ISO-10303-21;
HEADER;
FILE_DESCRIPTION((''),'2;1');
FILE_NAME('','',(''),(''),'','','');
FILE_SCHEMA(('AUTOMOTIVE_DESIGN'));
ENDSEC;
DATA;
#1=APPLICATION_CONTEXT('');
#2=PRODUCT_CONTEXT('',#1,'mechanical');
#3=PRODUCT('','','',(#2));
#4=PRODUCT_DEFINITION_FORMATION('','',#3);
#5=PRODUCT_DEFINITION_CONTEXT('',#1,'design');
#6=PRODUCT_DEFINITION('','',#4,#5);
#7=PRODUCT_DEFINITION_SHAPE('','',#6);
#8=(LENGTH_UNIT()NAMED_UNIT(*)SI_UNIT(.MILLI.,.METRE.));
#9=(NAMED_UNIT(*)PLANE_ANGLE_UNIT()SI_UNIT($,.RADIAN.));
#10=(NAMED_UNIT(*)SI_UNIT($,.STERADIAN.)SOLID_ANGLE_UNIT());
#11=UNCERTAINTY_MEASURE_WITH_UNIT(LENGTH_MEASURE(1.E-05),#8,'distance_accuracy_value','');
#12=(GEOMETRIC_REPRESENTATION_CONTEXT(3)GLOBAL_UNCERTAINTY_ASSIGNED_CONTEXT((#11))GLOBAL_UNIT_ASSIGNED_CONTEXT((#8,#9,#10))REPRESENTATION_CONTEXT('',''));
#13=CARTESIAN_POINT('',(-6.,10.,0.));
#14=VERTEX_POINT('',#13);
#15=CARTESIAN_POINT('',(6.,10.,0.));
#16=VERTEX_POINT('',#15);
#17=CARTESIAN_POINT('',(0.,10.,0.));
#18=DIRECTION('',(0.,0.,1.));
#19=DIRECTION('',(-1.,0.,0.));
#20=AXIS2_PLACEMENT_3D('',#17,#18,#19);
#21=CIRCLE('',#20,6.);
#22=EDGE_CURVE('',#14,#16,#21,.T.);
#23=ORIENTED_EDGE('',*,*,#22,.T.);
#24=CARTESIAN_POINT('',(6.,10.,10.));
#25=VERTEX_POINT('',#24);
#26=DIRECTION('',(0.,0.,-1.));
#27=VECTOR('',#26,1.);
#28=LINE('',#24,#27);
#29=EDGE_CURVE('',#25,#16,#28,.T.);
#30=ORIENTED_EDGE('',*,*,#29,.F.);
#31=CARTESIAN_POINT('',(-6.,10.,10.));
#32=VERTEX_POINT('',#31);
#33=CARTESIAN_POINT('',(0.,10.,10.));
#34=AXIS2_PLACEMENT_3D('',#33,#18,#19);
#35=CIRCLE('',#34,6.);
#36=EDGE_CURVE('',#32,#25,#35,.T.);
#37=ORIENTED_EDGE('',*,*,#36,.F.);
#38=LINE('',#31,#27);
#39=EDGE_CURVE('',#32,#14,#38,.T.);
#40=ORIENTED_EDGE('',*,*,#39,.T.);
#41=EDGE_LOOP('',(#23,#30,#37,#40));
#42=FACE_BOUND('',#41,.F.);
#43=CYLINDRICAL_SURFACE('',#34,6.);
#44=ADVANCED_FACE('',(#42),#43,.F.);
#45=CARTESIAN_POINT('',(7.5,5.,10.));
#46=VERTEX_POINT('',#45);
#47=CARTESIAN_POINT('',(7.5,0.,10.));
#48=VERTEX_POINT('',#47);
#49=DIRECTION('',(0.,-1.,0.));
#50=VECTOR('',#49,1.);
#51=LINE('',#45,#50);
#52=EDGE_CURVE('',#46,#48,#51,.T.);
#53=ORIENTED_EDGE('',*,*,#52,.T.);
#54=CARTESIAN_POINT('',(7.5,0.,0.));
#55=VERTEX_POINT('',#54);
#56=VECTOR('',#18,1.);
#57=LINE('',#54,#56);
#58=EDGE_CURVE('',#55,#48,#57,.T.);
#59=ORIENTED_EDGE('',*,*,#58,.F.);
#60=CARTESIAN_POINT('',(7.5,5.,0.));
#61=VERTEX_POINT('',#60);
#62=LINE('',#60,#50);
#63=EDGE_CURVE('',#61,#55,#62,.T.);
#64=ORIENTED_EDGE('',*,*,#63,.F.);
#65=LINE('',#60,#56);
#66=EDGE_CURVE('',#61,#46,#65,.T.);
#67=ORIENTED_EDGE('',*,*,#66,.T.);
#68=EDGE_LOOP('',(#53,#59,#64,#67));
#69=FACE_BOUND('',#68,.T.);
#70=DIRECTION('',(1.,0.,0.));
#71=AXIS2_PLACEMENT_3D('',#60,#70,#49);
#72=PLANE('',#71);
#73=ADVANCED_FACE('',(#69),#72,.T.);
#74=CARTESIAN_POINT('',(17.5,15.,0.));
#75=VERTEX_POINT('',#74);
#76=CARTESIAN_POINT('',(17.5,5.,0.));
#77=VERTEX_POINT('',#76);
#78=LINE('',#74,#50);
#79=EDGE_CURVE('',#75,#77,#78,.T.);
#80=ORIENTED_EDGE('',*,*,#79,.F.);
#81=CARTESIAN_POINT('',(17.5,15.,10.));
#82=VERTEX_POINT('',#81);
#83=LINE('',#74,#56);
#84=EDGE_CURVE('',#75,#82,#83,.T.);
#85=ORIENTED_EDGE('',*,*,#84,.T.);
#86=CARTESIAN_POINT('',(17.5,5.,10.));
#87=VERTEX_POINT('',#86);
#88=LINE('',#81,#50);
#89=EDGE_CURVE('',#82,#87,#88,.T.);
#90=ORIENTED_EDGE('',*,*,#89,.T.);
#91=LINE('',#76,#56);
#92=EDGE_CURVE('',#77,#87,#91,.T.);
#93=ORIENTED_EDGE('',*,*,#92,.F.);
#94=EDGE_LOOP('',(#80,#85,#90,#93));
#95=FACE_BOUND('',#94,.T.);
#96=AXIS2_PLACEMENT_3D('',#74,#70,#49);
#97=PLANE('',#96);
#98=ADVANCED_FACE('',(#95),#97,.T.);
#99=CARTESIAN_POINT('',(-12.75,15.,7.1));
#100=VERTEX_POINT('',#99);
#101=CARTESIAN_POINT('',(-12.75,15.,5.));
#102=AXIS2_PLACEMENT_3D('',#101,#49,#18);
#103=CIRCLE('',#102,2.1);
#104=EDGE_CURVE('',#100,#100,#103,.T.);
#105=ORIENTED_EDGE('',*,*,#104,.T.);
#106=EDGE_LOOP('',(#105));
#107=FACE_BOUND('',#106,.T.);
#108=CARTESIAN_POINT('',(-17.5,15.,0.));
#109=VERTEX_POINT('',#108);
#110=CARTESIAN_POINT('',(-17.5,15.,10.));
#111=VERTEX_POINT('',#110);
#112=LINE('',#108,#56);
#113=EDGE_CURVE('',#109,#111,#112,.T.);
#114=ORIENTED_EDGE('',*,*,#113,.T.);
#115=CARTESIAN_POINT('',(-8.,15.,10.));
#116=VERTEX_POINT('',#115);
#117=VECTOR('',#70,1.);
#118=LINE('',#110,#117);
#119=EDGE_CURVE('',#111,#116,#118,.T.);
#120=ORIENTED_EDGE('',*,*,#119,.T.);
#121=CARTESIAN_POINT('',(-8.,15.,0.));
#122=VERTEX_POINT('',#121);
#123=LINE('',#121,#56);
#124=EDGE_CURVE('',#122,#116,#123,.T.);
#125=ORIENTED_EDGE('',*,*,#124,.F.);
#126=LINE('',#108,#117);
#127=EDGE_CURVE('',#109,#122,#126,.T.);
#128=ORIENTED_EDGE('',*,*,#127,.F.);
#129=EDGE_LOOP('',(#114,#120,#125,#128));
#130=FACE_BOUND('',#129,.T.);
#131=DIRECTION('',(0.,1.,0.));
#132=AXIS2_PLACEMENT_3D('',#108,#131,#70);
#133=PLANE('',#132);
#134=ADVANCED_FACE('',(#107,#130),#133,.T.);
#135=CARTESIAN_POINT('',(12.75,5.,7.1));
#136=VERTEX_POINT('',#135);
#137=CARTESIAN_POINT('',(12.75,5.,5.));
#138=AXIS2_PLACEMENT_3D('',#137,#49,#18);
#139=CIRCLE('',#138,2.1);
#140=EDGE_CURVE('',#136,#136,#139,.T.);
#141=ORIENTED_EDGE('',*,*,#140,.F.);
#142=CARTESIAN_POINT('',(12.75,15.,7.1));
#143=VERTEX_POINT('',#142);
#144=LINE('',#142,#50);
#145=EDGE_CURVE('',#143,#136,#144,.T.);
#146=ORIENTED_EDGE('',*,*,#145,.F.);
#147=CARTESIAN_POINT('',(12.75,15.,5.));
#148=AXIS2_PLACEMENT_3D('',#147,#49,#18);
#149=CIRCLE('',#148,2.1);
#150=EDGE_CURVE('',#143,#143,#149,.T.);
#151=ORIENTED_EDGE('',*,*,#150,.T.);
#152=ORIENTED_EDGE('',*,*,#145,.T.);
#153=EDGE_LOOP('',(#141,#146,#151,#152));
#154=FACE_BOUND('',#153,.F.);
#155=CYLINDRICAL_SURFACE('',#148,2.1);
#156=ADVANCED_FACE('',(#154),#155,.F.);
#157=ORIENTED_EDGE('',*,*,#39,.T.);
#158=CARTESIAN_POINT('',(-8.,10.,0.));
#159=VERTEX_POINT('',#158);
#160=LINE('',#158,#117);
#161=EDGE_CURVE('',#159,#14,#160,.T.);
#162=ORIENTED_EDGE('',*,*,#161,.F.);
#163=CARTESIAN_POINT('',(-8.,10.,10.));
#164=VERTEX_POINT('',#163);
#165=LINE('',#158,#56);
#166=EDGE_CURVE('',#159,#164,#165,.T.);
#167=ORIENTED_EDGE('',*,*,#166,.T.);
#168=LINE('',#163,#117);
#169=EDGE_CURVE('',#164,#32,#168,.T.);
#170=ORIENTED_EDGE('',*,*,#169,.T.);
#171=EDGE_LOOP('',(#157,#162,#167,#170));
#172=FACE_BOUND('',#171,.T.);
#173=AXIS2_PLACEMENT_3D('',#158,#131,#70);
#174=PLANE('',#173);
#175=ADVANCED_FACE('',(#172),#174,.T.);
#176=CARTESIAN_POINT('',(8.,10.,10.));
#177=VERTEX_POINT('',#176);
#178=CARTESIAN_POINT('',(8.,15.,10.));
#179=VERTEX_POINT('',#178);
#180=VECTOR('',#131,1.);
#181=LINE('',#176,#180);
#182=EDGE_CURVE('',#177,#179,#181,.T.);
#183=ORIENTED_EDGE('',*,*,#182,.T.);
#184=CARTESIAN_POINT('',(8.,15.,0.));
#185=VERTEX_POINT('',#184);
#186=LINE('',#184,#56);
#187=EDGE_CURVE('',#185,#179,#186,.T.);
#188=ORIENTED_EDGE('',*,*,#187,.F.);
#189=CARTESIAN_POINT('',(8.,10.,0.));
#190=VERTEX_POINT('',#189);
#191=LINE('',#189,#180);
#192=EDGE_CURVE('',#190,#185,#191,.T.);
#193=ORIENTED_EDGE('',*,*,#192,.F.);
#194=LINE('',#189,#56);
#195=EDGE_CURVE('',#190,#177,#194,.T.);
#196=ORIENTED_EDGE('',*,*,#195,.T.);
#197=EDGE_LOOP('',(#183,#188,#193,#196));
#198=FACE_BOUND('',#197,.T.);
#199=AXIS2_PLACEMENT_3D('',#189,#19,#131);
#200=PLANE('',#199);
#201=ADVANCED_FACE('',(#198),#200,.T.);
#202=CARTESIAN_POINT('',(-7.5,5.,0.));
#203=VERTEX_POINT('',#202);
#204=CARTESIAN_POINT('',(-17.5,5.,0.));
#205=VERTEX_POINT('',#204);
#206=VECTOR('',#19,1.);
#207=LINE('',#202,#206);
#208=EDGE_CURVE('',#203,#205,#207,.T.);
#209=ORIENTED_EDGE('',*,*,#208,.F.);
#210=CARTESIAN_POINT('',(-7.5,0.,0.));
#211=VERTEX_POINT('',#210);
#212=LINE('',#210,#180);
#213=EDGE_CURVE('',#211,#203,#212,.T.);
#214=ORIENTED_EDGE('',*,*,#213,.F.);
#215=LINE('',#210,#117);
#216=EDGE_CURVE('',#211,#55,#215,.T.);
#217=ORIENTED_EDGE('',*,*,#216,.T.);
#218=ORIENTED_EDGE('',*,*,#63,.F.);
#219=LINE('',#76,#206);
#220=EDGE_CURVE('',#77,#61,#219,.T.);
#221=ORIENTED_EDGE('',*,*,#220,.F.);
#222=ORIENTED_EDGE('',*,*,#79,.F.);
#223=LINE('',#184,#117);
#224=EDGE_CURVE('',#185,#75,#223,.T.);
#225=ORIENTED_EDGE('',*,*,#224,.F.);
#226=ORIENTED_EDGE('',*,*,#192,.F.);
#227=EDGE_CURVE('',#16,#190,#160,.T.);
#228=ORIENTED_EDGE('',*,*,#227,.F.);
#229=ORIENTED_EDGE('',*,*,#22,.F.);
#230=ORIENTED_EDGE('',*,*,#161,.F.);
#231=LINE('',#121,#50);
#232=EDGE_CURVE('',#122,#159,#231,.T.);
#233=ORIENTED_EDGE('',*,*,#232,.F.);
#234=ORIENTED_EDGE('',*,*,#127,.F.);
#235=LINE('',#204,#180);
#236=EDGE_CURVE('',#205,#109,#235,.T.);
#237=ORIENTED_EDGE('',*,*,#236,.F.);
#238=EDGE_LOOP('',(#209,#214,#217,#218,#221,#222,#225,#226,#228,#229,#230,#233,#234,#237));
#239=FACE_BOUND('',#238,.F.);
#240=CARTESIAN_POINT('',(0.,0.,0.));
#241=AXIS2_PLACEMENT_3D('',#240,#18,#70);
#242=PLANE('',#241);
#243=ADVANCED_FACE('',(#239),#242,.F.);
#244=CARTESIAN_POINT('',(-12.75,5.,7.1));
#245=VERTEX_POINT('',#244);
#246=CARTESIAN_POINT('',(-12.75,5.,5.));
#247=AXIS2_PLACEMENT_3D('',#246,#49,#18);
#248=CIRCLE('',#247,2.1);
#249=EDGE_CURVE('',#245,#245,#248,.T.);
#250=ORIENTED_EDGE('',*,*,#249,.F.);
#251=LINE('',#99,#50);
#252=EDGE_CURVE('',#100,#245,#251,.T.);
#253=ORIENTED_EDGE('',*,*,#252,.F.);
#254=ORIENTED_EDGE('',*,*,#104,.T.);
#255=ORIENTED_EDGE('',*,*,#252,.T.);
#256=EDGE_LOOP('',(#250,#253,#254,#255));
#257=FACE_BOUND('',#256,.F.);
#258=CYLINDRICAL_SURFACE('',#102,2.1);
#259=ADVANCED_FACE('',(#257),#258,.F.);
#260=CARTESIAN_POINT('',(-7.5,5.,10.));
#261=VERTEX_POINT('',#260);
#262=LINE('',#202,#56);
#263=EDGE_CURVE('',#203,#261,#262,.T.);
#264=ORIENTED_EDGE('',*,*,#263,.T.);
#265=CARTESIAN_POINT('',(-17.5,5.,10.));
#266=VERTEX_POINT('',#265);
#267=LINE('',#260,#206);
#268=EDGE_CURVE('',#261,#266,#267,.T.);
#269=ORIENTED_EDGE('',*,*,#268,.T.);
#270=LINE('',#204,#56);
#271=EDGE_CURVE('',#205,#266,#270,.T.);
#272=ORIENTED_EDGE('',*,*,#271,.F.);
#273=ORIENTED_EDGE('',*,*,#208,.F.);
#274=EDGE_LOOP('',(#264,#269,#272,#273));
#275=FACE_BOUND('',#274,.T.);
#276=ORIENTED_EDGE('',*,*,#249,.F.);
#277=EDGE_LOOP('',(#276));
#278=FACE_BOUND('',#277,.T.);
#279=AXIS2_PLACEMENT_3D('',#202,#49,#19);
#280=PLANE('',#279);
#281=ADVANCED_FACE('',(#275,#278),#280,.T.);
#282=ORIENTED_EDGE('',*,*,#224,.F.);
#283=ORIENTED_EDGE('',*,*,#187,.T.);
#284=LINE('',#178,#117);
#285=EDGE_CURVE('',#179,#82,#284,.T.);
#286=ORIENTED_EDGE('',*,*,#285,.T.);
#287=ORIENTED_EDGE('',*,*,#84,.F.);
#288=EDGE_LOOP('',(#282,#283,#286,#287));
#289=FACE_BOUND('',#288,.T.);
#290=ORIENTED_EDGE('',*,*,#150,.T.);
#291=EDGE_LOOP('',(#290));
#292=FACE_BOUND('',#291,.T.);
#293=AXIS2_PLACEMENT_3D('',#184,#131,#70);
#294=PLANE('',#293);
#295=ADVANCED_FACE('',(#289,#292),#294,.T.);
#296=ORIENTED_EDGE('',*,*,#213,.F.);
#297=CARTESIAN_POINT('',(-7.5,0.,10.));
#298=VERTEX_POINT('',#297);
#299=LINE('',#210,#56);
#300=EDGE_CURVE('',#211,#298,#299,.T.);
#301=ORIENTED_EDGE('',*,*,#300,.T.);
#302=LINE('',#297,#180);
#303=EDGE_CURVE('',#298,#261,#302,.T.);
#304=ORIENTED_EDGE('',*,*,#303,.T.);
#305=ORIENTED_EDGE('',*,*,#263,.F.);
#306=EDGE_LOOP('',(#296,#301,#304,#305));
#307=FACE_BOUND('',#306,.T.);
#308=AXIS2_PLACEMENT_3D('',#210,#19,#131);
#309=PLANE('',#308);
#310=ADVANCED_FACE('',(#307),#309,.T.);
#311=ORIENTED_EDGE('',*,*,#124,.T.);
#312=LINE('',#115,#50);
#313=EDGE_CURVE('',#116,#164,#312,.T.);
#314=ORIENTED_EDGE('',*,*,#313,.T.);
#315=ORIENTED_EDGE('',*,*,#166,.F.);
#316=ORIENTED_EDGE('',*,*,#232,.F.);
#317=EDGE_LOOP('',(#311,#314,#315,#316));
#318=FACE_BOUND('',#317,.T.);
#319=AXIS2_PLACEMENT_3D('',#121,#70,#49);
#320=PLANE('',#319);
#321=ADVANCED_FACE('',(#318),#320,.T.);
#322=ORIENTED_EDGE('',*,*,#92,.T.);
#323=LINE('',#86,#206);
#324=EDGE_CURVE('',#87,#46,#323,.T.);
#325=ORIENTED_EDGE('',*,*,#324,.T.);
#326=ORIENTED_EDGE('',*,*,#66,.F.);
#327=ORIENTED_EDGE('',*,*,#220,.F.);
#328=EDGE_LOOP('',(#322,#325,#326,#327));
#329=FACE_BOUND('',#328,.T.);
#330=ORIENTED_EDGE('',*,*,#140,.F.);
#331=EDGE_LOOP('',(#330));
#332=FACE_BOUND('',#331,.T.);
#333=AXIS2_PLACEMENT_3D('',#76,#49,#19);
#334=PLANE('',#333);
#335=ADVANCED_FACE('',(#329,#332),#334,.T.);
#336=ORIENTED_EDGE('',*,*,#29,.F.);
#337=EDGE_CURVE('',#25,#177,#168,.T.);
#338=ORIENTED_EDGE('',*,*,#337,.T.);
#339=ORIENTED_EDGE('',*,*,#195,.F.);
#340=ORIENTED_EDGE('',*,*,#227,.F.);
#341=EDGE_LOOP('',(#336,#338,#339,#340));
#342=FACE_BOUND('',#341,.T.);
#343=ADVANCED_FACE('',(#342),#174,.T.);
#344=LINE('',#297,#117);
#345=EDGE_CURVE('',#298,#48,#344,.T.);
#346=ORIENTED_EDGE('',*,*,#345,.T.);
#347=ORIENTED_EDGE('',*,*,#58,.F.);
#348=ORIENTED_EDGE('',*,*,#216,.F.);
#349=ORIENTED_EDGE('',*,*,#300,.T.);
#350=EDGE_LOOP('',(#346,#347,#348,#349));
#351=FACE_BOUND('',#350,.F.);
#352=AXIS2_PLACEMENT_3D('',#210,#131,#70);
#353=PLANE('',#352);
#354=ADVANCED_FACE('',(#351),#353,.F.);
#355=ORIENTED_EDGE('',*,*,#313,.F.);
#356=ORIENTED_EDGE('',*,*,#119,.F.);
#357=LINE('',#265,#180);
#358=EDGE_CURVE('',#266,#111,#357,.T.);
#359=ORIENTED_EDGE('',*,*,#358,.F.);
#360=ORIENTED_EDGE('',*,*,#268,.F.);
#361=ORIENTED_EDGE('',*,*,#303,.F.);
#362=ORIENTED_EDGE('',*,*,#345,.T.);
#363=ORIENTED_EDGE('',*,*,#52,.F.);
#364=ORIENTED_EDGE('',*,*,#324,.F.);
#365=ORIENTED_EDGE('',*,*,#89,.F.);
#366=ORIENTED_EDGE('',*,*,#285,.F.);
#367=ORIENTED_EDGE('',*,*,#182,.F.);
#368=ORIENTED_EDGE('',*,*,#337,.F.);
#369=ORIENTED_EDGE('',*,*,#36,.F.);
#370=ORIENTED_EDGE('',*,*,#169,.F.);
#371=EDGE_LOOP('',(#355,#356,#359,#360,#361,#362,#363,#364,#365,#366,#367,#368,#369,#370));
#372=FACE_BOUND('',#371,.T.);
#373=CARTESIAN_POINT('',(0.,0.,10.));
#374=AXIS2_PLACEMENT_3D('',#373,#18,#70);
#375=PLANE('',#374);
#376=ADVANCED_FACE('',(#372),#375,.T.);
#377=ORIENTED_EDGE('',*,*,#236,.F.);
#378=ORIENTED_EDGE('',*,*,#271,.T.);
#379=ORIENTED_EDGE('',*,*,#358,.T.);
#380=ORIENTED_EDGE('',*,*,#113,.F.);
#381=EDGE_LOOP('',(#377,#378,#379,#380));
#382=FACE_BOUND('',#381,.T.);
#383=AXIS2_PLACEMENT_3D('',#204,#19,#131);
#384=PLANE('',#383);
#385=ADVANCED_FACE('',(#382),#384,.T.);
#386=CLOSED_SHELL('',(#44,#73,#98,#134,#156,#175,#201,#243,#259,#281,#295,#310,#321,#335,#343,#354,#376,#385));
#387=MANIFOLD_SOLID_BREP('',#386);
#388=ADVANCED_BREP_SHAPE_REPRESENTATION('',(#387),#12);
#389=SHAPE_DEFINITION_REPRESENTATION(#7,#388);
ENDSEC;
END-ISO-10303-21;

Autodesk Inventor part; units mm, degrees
ref_plane "YZ Plane" through (0, 0, 0) normal (1, 0, 0) x (0, 1, 0)
ref_plane "XZ Plane" through (0, 0, 0) normal (0, 1, 0) x (-1, 0, 0)
ref_plane "XY Plane" through (0, 0, 0) normal (0, 0, 1) x (1, 0, 0)
sketch "Skizze1" plane through (0, 0, 0) normal (0, 0, 1) x (1, 0, 0)
  line L0 (-17.5, 5) -> (-17.5, 15)
  line L1 (-17.5, 15) -> (-8, 15)
  line L2 (-8, 15) -> (-8, 10)
  line L3 (-8, 10) -> (8, 10)
  line L4 (8, 10) -> (8, 15)
  line L5 (8, 15) -> (17.5, 15)
  line L6 (17.5, 15) -> (17.5, 5)
  line L7 (-7.5, 5) -> (-17.5, 5)
  line L8 (0, 10) -> (0, 0) construction
  line L9 (17.5, 5) -> (7.5, 5)
  line L10 (7.5, 5) -> (7.5, 0)
  line L11 (-7.5, 0) -> (-7.5, 5)
  line L12 (-7.5, 0) -> (7.5, 0)
  point P0 (-12.75, 15)
  dimension "d0" = 16
  dimension "d1" = 5
  dimension "d2" = 35
  dimension "d7" = 15
  dimension "d10" = 5
  dimension "d11" = 15
extrude "Extrusion1" add sketch "Skizze1" along normal blind 10
sketch "Skizze2" plane through (0, 0, 10) normal (0, 0, 1) x (1, 0, 0)
  line L0 (8, 10) -> (-8, 10) projected
  arc A0 (-6, 10) -> (6, 10) centre (0, 10) ccw
  point P0 (0, 0)
  dimension "d12" = 6
extrude "Extrusion2" cut sketch "Skizze2" against normal blind 10
sketch "Skizze3" plane through (-17.5, 15, 0) normal (0, 1, 0) x (1, 0, 0)
  line L0 (0, 0) -> (0, -10) projected
  line L1 (35, 0) -> (35, -10) projected
  line L2 (17.5, 0) -> (17.5, -10) construction
  point P0 (4.75, -5)
  point P1 (30.25, -5)
  point P2 (0, -5)
  point P3 (35, -5)
  dimension "d15" = 25.5
hole "Bohrung1" at (-12.75, 15, 5) at (12.75, 15, 5) direction (0, -1, 0) diameter 4.2 end through all
properties part number "Pleuel_Unterteil" material "Stahl, galvanisiert"
